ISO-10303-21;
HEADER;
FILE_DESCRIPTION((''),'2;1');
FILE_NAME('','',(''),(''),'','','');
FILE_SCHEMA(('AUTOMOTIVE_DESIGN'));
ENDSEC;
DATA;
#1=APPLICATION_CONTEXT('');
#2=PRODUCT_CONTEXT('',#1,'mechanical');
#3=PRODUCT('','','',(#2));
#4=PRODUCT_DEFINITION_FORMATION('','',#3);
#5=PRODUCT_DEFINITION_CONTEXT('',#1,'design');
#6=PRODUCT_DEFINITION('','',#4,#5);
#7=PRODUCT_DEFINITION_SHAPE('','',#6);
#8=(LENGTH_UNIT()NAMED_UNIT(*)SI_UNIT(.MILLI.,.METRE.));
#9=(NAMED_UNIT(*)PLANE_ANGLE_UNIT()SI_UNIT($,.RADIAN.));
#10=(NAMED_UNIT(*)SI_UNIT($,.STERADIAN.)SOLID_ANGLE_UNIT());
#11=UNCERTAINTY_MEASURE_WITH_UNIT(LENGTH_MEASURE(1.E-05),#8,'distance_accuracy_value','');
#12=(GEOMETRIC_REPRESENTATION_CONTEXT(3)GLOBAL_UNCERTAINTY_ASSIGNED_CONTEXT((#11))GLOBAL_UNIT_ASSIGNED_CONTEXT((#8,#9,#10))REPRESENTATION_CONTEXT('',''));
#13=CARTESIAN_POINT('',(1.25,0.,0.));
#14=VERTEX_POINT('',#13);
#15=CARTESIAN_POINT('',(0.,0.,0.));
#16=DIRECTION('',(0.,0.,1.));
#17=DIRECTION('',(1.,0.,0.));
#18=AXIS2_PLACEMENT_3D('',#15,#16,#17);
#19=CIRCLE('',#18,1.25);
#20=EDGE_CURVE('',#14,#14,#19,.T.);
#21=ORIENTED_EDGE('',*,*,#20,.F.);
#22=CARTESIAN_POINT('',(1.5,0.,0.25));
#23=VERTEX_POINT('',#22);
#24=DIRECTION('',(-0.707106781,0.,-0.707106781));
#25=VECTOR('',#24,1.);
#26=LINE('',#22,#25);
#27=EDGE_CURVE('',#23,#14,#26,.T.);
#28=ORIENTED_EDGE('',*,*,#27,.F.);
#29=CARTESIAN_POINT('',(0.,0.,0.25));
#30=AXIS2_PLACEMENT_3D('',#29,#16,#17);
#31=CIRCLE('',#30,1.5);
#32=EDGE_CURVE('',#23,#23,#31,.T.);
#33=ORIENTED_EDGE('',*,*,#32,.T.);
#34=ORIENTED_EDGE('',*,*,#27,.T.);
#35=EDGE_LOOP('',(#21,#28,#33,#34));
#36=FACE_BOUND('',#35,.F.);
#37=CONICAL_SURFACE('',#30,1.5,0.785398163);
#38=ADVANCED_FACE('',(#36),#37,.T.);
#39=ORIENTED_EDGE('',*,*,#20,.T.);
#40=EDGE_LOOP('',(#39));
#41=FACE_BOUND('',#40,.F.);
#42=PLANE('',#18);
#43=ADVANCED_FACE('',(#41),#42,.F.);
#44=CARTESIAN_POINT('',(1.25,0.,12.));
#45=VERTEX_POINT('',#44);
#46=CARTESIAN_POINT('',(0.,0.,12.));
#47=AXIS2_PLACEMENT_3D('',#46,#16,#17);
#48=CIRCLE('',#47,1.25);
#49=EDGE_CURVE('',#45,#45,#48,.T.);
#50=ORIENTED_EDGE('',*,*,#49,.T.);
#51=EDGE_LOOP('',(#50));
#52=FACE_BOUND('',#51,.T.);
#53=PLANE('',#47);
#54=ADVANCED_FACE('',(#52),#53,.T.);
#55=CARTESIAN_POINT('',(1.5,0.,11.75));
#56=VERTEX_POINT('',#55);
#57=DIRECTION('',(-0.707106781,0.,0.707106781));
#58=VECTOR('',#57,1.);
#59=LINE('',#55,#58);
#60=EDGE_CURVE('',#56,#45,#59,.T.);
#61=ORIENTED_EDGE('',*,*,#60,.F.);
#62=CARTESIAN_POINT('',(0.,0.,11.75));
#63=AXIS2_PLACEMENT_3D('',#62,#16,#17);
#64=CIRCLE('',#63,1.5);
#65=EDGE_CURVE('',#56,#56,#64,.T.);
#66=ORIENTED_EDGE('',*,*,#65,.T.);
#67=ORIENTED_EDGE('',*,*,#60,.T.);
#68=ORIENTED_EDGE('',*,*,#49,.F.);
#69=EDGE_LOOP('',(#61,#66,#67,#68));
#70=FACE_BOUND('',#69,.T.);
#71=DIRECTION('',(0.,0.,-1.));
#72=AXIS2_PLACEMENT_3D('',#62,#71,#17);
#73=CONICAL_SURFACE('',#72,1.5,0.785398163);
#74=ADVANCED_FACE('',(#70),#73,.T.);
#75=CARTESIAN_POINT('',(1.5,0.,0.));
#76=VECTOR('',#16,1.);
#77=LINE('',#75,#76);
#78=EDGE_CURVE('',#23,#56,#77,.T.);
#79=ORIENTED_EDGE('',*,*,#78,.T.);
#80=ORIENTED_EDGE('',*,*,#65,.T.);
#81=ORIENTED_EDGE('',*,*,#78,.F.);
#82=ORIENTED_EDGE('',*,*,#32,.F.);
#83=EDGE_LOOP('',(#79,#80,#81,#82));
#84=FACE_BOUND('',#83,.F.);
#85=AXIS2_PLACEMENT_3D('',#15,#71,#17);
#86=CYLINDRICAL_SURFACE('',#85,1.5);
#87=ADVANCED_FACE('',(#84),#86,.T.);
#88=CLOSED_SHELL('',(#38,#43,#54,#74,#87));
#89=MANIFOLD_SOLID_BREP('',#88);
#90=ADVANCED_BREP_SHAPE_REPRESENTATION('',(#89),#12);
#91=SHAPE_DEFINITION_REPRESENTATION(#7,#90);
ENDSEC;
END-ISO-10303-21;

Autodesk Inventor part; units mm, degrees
ref_plane "YZ Plane" through (0, 0, 0) normal (1, 0, 0) x (0, 1, 0)
ref_plane "XZ Plane" through (0, 0, 0) normal (0, 1, 0) x (-1, 0, 0)
ref_plane "XY Plane" through (0, 0, 0) normal (0, 0, 1) x (1, 0, 0)
sketch "Sketch1" plane through (0, 0, 0) normal (0, 0, 1) x (1, 0, 0)
  circle A0 centre (0, 0) radius 1.5
  dimension "d0" = 3
extrude "Extrusion1" add sketch "Sketch1" along normal blind 12
chamfer "Chamfer1" distance 0.25 angle 45 2 edges at (-1.5, 0, 0) (-1.5, 0, 12)
properties part number "3x12 Dowel Pin" material "Stainless Steel"
